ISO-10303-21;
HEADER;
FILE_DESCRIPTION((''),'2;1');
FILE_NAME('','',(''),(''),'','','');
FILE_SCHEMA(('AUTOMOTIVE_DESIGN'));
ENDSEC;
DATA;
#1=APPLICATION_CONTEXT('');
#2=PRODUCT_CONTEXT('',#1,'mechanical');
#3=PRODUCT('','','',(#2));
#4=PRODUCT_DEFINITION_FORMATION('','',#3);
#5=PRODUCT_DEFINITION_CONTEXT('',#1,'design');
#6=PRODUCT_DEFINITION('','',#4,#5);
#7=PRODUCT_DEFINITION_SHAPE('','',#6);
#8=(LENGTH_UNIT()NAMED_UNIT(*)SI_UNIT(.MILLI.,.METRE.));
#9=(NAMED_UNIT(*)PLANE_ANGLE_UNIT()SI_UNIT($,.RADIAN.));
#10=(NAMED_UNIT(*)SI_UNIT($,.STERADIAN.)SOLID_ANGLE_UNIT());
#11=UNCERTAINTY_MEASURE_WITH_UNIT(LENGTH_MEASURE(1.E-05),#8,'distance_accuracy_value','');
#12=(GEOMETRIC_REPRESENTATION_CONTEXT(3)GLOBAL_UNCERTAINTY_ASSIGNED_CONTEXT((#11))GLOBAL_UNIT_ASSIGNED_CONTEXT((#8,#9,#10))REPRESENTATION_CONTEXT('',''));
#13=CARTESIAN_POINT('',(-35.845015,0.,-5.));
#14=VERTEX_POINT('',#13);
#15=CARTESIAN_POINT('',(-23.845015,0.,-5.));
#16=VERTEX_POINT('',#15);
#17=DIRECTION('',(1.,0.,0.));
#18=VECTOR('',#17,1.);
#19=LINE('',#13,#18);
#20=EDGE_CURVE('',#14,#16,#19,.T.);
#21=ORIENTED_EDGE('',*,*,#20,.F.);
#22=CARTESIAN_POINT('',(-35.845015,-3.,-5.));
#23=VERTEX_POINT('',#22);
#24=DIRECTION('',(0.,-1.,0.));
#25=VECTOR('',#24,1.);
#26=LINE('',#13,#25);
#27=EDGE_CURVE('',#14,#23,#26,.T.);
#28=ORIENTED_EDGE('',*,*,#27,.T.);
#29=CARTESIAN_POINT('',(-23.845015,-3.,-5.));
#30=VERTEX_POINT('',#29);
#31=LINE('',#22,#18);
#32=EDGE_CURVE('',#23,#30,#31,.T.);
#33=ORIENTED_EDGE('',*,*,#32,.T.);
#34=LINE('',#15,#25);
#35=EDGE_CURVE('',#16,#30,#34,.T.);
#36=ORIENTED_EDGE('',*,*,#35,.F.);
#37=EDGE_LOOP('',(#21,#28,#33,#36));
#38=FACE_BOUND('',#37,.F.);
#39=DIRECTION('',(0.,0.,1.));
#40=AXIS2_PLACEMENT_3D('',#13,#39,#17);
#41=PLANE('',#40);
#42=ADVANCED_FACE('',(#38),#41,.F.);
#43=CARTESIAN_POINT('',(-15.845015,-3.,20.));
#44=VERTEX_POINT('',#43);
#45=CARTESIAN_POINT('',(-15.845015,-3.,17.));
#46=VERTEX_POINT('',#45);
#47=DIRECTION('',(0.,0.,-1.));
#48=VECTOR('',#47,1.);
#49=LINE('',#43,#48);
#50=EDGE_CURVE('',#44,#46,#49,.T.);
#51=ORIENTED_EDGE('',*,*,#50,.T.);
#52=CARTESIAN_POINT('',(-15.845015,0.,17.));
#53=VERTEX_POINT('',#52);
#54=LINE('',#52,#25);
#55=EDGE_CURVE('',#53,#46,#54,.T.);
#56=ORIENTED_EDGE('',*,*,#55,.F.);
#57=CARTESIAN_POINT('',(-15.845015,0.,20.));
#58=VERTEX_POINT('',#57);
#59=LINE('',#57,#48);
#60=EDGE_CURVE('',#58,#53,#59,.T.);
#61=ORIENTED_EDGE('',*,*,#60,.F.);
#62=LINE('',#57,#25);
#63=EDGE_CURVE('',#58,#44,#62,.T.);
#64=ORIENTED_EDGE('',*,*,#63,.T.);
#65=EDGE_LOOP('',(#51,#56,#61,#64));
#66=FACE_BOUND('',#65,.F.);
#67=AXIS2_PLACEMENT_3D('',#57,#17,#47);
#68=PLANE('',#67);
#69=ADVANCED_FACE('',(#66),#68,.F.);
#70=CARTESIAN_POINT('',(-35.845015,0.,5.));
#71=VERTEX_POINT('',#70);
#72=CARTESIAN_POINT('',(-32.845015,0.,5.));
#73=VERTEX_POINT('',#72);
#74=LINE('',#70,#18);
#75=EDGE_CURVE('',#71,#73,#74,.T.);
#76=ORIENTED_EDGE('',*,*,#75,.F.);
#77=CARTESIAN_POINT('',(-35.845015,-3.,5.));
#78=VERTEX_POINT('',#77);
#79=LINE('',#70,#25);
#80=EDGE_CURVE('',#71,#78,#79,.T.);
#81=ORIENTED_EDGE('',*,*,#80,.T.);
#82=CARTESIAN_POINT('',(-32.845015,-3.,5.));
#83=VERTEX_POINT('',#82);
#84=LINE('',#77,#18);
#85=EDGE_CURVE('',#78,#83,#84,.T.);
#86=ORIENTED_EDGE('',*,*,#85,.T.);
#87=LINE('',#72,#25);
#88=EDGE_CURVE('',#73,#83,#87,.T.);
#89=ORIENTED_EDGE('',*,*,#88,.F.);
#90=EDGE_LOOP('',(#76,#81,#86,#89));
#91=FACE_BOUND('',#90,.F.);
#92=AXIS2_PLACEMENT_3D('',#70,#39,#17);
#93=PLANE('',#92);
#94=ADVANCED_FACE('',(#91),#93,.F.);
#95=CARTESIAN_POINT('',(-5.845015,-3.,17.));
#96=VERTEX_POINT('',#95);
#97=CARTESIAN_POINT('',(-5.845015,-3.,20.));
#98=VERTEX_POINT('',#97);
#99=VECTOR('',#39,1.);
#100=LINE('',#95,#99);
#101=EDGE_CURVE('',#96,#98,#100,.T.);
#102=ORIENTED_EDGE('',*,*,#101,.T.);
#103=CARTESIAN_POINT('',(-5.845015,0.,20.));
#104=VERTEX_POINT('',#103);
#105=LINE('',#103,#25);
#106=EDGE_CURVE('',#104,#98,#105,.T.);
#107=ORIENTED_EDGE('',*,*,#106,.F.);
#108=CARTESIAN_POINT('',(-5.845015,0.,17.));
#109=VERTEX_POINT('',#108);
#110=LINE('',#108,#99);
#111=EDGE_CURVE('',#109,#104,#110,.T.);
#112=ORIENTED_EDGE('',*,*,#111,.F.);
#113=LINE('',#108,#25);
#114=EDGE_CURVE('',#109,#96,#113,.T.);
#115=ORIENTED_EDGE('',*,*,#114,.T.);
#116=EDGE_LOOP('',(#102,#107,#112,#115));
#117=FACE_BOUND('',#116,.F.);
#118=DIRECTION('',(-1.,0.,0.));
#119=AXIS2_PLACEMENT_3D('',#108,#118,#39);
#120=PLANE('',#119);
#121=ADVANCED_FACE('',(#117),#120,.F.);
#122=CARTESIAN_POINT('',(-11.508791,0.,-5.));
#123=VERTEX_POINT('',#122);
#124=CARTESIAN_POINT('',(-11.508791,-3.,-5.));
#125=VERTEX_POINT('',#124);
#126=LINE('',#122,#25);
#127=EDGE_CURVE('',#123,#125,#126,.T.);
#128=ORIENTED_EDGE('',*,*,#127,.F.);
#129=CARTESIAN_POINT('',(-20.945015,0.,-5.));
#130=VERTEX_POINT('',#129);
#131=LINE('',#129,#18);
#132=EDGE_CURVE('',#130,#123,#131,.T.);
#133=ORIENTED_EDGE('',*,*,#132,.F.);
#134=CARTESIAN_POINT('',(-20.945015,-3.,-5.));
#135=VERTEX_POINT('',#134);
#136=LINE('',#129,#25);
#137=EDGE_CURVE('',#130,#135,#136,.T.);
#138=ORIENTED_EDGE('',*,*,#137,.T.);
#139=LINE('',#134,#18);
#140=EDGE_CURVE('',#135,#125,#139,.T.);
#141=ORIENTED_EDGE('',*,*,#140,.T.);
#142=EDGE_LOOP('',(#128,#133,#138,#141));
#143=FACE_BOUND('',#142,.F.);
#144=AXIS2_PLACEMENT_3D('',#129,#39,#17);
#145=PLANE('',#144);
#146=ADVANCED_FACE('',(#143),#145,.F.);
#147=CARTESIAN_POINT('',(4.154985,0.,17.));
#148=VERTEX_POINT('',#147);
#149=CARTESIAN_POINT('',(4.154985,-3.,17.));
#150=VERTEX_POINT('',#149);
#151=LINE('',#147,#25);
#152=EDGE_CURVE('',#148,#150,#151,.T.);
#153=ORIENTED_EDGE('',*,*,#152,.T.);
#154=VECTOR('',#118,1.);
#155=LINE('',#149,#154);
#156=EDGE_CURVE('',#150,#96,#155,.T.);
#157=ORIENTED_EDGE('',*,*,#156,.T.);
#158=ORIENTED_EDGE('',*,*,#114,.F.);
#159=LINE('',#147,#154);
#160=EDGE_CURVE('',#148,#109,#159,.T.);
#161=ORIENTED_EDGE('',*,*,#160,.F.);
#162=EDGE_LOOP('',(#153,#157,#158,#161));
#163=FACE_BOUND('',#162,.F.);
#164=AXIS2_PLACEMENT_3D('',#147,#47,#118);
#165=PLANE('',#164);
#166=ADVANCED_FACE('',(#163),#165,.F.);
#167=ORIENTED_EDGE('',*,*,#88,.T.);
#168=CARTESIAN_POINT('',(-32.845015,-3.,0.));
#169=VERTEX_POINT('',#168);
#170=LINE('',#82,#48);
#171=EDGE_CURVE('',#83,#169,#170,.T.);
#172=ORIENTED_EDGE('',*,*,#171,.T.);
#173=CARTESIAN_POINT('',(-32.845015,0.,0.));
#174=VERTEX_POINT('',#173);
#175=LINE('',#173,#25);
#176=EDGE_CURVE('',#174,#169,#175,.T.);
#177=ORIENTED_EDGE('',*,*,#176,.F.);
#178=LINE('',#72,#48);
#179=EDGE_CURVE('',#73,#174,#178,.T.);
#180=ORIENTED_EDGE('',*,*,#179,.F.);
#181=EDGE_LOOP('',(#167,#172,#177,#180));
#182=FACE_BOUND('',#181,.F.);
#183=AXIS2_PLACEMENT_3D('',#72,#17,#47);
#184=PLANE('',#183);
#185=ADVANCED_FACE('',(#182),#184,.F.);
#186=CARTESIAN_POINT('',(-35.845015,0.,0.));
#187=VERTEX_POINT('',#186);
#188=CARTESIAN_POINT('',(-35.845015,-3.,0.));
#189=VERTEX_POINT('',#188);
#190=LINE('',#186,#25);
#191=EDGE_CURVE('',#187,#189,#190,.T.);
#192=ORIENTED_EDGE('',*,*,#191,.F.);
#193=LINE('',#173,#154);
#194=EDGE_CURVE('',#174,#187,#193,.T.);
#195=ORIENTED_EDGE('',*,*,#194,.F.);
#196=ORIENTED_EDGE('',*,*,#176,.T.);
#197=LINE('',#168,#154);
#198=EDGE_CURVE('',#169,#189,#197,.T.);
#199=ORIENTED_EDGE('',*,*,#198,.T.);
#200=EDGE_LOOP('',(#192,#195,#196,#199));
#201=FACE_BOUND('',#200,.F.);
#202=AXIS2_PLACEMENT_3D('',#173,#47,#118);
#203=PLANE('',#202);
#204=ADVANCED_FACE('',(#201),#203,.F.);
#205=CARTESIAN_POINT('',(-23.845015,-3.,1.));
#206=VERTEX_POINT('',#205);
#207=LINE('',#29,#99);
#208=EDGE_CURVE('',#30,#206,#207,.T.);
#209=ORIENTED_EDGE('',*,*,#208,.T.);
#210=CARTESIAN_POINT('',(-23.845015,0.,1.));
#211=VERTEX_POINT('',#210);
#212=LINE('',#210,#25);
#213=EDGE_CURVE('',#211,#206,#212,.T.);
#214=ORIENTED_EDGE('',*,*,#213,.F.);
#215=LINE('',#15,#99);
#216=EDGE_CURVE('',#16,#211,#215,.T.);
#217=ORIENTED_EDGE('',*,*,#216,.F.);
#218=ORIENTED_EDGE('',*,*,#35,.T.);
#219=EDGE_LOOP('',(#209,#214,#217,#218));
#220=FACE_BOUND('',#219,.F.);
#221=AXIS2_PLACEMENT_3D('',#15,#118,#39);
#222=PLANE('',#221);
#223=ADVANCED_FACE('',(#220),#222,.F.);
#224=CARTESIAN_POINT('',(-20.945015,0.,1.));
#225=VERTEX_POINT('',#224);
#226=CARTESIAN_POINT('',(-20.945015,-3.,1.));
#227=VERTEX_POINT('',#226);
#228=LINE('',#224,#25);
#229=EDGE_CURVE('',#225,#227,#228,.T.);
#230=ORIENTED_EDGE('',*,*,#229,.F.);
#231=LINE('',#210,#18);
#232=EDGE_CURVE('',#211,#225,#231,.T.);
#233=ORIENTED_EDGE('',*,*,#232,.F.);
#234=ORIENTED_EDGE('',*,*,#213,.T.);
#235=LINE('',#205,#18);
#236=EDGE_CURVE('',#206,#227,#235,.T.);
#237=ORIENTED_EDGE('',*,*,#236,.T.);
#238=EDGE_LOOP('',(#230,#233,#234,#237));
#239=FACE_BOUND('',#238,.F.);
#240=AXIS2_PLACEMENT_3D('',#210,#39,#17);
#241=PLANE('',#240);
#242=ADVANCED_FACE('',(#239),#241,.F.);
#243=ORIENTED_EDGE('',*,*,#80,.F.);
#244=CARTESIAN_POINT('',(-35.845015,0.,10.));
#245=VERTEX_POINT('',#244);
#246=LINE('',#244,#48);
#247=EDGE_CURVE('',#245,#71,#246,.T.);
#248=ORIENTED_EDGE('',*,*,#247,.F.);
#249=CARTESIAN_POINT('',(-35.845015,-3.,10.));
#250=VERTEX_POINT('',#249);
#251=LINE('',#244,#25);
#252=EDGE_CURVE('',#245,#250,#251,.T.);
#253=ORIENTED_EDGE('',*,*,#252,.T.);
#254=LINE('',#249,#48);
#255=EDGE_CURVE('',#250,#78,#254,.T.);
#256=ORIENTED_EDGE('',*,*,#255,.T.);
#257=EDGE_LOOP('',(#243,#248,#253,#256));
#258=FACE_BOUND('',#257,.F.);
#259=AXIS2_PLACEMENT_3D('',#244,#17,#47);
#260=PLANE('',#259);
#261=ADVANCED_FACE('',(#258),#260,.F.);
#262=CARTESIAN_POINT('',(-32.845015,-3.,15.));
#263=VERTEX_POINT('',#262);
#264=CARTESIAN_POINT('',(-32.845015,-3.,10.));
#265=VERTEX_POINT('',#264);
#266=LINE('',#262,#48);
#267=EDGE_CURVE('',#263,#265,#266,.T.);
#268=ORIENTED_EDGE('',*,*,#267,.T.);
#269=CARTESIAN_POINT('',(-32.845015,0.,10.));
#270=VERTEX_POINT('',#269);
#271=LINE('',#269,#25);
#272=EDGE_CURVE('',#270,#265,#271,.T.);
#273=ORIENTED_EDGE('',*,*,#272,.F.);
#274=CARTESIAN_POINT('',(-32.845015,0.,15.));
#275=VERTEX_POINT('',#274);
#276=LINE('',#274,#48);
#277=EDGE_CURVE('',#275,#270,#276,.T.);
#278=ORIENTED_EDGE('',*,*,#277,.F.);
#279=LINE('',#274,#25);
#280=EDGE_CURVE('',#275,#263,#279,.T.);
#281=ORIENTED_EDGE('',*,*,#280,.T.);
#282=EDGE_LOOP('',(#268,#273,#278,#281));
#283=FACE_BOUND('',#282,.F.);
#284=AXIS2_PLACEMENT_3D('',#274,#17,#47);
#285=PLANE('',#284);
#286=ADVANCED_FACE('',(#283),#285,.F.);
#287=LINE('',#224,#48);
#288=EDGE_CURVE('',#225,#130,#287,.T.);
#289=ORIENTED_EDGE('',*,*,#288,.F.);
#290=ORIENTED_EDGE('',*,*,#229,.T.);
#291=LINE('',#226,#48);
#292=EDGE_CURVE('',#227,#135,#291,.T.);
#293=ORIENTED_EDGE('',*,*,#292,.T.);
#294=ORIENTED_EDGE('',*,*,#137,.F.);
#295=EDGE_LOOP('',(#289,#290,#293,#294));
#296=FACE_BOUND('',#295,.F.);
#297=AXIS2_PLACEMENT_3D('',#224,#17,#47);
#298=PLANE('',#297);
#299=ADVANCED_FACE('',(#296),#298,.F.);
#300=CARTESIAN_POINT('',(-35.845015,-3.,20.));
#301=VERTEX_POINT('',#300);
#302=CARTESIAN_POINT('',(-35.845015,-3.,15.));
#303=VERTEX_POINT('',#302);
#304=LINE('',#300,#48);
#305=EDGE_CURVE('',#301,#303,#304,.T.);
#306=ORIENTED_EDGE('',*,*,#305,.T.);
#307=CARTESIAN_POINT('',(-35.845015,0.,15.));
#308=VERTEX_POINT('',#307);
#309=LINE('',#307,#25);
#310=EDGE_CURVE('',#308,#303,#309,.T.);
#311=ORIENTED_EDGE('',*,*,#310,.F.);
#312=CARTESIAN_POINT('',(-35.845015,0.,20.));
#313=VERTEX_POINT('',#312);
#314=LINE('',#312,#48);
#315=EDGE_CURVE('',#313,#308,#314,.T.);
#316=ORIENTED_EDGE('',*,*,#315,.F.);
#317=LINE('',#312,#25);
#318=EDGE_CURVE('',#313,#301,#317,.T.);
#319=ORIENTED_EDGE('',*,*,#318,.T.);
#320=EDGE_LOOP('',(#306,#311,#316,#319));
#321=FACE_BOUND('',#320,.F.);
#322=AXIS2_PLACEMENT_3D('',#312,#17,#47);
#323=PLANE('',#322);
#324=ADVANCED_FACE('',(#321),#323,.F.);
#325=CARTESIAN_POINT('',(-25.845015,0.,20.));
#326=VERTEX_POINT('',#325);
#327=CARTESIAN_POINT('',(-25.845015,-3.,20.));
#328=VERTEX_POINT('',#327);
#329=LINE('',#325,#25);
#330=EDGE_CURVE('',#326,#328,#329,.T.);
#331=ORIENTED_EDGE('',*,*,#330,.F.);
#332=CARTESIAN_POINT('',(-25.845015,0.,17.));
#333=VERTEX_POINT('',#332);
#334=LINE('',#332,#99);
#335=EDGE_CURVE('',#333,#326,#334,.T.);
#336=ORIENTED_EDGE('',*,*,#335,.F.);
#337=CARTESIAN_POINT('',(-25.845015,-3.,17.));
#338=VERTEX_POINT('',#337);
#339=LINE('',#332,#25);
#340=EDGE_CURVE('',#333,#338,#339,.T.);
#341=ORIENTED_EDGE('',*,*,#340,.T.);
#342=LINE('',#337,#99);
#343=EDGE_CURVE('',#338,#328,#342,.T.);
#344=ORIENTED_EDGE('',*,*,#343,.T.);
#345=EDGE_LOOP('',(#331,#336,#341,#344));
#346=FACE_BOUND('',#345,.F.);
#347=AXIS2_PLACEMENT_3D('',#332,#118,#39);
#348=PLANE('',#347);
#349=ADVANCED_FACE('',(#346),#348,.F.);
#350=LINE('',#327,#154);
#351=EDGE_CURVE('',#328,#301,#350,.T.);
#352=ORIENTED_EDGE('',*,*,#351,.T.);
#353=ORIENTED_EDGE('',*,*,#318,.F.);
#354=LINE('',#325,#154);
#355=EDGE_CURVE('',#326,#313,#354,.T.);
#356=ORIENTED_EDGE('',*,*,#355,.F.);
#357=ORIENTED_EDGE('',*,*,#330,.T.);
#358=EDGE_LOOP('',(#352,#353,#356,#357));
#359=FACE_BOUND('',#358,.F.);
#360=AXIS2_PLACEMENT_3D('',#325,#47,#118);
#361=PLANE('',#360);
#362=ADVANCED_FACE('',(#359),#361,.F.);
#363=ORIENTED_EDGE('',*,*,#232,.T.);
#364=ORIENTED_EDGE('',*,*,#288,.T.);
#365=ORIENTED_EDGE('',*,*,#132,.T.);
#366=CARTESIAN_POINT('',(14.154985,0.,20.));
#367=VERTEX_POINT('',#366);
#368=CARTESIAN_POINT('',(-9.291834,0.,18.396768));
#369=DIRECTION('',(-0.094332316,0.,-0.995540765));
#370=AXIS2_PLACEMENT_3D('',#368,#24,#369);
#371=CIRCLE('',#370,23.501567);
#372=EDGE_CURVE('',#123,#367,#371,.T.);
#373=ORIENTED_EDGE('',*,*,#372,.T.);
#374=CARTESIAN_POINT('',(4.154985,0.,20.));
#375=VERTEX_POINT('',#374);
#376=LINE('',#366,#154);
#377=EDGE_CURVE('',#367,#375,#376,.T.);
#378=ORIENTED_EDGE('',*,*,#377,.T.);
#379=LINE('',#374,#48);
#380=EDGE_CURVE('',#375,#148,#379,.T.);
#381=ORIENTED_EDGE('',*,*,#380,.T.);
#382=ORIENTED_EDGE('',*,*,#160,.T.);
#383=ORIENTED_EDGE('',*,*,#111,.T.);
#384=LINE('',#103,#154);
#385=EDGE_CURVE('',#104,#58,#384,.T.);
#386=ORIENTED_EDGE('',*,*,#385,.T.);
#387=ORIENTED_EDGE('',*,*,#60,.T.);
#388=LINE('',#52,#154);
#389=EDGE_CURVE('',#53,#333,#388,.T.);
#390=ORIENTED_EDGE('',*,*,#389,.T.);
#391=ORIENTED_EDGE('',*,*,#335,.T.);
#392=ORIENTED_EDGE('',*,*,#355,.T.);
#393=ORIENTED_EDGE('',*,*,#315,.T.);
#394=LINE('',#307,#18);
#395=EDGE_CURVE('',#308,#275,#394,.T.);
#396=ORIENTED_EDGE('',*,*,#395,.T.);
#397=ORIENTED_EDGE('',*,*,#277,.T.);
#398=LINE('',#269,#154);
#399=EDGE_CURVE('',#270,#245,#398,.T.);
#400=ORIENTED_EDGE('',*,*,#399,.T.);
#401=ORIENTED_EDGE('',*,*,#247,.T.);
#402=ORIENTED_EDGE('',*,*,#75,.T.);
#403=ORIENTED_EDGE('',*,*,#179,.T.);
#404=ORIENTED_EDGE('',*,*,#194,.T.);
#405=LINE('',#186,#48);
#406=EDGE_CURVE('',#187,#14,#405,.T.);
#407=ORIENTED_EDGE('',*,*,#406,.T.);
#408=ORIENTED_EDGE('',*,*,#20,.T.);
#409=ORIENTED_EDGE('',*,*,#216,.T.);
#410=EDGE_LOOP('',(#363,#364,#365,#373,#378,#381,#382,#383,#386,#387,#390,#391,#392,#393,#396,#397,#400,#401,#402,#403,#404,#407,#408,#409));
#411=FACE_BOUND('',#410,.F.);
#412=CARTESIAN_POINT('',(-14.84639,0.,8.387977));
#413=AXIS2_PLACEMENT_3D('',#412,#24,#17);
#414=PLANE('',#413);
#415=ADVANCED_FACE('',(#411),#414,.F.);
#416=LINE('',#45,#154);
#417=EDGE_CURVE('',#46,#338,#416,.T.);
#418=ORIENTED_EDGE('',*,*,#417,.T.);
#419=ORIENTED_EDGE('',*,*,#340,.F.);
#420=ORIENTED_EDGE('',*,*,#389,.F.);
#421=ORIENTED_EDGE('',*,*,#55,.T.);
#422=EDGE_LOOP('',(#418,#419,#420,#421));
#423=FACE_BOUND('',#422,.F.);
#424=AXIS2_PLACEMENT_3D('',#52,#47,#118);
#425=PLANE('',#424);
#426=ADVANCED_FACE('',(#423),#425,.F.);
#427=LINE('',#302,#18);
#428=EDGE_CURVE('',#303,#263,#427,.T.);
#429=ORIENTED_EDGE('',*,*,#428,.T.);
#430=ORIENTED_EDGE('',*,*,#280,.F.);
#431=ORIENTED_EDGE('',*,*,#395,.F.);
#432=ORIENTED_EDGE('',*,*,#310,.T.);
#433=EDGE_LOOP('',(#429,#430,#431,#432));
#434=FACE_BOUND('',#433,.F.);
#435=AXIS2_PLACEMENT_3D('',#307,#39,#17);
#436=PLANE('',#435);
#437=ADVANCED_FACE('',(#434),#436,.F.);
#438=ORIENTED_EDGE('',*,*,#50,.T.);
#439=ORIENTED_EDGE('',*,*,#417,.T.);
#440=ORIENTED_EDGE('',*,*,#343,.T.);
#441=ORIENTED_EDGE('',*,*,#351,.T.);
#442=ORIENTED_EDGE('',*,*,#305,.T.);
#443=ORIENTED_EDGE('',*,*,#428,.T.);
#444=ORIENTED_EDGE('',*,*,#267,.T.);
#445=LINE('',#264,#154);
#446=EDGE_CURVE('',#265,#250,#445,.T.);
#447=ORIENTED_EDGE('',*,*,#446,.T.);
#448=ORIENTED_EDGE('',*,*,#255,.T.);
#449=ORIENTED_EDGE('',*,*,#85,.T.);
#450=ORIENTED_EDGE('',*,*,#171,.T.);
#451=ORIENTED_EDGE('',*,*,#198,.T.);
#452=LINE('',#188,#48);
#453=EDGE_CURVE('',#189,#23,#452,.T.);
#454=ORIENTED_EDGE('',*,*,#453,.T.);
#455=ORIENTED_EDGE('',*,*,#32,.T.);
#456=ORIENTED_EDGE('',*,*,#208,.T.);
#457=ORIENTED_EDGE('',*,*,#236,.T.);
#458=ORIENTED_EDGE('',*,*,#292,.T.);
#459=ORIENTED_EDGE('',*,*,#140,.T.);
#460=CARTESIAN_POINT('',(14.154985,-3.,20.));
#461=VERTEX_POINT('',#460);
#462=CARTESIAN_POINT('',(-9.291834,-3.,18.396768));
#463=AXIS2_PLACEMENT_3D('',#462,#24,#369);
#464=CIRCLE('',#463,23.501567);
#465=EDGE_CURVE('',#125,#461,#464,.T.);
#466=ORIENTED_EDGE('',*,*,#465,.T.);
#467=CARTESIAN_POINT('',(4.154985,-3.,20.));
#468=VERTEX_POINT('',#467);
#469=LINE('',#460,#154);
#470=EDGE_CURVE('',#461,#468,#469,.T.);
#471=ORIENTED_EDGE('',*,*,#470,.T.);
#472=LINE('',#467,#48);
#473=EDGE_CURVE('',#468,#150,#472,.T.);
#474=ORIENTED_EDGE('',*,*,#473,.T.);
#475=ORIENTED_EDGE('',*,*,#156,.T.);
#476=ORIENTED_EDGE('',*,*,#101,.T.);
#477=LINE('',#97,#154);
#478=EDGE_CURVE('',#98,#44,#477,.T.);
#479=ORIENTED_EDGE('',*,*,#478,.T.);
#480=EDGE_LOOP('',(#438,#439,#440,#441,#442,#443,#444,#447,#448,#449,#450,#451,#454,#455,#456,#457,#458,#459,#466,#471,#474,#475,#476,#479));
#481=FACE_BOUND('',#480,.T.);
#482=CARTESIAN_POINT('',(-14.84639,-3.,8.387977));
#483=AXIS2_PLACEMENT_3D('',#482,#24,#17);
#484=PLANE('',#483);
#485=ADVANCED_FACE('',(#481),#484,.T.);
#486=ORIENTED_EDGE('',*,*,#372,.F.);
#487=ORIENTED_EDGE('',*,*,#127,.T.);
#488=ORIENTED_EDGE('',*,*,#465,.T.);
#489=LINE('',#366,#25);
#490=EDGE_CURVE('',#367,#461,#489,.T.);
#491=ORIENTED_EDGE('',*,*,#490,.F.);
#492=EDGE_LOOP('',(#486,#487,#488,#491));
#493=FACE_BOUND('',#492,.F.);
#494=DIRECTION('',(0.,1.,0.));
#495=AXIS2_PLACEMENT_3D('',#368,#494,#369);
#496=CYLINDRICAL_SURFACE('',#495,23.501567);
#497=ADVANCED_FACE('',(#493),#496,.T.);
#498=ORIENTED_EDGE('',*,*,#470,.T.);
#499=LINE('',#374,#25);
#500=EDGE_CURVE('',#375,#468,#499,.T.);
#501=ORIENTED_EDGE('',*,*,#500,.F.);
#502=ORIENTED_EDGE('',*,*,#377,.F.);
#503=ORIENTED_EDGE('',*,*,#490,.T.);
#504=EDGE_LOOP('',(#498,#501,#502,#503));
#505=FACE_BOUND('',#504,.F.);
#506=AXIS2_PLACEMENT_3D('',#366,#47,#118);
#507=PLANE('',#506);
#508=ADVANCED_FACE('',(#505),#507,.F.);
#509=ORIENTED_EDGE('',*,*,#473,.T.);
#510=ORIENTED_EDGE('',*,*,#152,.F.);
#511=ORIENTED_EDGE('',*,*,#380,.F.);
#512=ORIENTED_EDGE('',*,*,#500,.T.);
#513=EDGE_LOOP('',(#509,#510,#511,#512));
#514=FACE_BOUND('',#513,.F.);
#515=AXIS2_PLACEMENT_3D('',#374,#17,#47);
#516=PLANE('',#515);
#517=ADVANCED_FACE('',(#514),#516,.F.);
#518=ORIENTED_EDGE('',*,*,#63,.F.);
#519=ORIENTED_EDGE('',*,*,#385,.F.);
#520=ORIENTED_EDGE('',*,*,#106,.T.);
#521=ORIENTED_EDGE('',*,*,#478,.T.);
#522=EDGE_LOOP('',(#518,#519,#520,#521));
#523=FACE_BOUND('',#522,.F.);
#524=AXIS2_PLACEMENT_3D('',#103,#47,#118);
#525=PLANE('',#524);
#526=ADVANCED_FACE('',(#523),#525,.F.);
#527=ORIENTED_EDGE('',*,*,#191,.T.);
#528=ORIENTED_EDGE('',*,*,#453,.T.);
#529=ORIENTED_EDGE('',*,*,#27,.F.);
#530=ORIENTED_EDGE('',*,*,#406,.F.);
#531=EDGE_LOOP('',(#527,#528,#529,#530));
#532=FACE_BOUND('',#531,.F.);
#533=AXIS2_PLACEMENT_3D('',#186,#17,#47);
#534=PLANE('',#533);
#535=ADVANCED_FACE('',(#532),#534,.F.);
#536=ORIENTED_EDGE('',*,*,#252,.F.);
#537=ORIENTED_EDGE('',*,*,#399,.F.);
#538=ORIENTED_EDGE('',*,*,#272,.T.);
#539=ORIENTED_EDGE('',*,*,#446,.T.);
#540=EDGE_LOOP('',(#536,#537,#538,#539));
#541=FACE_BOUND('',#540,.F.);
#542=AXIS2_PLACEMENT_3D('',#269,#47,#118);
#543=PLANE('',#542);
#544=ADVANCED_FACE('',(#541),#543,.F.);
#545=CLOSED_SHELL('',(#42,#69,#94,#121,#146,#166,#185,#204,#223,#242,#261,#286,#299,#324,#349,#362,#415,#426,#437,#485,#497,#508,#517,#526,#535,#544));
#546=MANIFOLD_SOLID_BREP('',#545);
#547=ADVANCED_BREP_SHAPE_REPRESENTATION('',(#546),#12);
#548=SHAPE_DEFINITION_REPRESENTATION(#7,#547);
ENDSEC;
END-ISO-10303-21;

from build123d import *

# Parameters (mm, degrees)
F1_DEPTH = 3


with BuildPart() as f1:
    # F0 (on Front) → F1 (new body)
    with BuildSketch(Plane.XZ):
        with BuildLine():
            Line((-20.945015, -5), (-11.508791, -5))
            ThreePointArc((-11.508791, -5), (7.107153, 1.562372), (14.154985, 20))
            Line((14.154985, 20), (4.154985, 20))
            Line((4.154985, 20), (4.154985, 17))
            Line((4.154985, 17), (-5.845015, 17))
            Line((-5.845015, 17), (-5.845015, 20))
            Line((-5.845015, 20), (-15.845015, 20))
            Line((-15.845015, 20), (-15.845015, 17))
            Line((-15.845015, 17), (-25.845015, 17))
            Line((-25.845015, 17), (-25.845015, 20))
            Line((-25.845015, 20), (-35.845015, 20))
            Line((-35.845015, 20), (-35.845015, 15))
            Line((-35.845015, 15), (-32.845015, 15))
            Line((-32.845015, 15), (-32.845015, 10))
            Line((-32.845015, 10), (-35.845015, 10))
            Line((-35.845015, 10), (-35.845015, 5))
            Line((-35.845015, 5), (-32.845015, 5))
            Line((-32.845015, 5), (-32.845015, 0))
            Line((-32.845015, 0), (-35.845015, 0))
            Line((-35.845015, 0), (-35.845015, -5))
            Line((-35.845015, -5), (-23.845015, -5))
            Line((-23.845015, -5), (-23.845015, 1))
            Line((-23.845015, 1), (-20.945015, 1))
            Line((-20.945015, 1), (-20.945015, -5))
        make_face()
    extrude(amount=F1_DEPTH)


solid = f1.part
